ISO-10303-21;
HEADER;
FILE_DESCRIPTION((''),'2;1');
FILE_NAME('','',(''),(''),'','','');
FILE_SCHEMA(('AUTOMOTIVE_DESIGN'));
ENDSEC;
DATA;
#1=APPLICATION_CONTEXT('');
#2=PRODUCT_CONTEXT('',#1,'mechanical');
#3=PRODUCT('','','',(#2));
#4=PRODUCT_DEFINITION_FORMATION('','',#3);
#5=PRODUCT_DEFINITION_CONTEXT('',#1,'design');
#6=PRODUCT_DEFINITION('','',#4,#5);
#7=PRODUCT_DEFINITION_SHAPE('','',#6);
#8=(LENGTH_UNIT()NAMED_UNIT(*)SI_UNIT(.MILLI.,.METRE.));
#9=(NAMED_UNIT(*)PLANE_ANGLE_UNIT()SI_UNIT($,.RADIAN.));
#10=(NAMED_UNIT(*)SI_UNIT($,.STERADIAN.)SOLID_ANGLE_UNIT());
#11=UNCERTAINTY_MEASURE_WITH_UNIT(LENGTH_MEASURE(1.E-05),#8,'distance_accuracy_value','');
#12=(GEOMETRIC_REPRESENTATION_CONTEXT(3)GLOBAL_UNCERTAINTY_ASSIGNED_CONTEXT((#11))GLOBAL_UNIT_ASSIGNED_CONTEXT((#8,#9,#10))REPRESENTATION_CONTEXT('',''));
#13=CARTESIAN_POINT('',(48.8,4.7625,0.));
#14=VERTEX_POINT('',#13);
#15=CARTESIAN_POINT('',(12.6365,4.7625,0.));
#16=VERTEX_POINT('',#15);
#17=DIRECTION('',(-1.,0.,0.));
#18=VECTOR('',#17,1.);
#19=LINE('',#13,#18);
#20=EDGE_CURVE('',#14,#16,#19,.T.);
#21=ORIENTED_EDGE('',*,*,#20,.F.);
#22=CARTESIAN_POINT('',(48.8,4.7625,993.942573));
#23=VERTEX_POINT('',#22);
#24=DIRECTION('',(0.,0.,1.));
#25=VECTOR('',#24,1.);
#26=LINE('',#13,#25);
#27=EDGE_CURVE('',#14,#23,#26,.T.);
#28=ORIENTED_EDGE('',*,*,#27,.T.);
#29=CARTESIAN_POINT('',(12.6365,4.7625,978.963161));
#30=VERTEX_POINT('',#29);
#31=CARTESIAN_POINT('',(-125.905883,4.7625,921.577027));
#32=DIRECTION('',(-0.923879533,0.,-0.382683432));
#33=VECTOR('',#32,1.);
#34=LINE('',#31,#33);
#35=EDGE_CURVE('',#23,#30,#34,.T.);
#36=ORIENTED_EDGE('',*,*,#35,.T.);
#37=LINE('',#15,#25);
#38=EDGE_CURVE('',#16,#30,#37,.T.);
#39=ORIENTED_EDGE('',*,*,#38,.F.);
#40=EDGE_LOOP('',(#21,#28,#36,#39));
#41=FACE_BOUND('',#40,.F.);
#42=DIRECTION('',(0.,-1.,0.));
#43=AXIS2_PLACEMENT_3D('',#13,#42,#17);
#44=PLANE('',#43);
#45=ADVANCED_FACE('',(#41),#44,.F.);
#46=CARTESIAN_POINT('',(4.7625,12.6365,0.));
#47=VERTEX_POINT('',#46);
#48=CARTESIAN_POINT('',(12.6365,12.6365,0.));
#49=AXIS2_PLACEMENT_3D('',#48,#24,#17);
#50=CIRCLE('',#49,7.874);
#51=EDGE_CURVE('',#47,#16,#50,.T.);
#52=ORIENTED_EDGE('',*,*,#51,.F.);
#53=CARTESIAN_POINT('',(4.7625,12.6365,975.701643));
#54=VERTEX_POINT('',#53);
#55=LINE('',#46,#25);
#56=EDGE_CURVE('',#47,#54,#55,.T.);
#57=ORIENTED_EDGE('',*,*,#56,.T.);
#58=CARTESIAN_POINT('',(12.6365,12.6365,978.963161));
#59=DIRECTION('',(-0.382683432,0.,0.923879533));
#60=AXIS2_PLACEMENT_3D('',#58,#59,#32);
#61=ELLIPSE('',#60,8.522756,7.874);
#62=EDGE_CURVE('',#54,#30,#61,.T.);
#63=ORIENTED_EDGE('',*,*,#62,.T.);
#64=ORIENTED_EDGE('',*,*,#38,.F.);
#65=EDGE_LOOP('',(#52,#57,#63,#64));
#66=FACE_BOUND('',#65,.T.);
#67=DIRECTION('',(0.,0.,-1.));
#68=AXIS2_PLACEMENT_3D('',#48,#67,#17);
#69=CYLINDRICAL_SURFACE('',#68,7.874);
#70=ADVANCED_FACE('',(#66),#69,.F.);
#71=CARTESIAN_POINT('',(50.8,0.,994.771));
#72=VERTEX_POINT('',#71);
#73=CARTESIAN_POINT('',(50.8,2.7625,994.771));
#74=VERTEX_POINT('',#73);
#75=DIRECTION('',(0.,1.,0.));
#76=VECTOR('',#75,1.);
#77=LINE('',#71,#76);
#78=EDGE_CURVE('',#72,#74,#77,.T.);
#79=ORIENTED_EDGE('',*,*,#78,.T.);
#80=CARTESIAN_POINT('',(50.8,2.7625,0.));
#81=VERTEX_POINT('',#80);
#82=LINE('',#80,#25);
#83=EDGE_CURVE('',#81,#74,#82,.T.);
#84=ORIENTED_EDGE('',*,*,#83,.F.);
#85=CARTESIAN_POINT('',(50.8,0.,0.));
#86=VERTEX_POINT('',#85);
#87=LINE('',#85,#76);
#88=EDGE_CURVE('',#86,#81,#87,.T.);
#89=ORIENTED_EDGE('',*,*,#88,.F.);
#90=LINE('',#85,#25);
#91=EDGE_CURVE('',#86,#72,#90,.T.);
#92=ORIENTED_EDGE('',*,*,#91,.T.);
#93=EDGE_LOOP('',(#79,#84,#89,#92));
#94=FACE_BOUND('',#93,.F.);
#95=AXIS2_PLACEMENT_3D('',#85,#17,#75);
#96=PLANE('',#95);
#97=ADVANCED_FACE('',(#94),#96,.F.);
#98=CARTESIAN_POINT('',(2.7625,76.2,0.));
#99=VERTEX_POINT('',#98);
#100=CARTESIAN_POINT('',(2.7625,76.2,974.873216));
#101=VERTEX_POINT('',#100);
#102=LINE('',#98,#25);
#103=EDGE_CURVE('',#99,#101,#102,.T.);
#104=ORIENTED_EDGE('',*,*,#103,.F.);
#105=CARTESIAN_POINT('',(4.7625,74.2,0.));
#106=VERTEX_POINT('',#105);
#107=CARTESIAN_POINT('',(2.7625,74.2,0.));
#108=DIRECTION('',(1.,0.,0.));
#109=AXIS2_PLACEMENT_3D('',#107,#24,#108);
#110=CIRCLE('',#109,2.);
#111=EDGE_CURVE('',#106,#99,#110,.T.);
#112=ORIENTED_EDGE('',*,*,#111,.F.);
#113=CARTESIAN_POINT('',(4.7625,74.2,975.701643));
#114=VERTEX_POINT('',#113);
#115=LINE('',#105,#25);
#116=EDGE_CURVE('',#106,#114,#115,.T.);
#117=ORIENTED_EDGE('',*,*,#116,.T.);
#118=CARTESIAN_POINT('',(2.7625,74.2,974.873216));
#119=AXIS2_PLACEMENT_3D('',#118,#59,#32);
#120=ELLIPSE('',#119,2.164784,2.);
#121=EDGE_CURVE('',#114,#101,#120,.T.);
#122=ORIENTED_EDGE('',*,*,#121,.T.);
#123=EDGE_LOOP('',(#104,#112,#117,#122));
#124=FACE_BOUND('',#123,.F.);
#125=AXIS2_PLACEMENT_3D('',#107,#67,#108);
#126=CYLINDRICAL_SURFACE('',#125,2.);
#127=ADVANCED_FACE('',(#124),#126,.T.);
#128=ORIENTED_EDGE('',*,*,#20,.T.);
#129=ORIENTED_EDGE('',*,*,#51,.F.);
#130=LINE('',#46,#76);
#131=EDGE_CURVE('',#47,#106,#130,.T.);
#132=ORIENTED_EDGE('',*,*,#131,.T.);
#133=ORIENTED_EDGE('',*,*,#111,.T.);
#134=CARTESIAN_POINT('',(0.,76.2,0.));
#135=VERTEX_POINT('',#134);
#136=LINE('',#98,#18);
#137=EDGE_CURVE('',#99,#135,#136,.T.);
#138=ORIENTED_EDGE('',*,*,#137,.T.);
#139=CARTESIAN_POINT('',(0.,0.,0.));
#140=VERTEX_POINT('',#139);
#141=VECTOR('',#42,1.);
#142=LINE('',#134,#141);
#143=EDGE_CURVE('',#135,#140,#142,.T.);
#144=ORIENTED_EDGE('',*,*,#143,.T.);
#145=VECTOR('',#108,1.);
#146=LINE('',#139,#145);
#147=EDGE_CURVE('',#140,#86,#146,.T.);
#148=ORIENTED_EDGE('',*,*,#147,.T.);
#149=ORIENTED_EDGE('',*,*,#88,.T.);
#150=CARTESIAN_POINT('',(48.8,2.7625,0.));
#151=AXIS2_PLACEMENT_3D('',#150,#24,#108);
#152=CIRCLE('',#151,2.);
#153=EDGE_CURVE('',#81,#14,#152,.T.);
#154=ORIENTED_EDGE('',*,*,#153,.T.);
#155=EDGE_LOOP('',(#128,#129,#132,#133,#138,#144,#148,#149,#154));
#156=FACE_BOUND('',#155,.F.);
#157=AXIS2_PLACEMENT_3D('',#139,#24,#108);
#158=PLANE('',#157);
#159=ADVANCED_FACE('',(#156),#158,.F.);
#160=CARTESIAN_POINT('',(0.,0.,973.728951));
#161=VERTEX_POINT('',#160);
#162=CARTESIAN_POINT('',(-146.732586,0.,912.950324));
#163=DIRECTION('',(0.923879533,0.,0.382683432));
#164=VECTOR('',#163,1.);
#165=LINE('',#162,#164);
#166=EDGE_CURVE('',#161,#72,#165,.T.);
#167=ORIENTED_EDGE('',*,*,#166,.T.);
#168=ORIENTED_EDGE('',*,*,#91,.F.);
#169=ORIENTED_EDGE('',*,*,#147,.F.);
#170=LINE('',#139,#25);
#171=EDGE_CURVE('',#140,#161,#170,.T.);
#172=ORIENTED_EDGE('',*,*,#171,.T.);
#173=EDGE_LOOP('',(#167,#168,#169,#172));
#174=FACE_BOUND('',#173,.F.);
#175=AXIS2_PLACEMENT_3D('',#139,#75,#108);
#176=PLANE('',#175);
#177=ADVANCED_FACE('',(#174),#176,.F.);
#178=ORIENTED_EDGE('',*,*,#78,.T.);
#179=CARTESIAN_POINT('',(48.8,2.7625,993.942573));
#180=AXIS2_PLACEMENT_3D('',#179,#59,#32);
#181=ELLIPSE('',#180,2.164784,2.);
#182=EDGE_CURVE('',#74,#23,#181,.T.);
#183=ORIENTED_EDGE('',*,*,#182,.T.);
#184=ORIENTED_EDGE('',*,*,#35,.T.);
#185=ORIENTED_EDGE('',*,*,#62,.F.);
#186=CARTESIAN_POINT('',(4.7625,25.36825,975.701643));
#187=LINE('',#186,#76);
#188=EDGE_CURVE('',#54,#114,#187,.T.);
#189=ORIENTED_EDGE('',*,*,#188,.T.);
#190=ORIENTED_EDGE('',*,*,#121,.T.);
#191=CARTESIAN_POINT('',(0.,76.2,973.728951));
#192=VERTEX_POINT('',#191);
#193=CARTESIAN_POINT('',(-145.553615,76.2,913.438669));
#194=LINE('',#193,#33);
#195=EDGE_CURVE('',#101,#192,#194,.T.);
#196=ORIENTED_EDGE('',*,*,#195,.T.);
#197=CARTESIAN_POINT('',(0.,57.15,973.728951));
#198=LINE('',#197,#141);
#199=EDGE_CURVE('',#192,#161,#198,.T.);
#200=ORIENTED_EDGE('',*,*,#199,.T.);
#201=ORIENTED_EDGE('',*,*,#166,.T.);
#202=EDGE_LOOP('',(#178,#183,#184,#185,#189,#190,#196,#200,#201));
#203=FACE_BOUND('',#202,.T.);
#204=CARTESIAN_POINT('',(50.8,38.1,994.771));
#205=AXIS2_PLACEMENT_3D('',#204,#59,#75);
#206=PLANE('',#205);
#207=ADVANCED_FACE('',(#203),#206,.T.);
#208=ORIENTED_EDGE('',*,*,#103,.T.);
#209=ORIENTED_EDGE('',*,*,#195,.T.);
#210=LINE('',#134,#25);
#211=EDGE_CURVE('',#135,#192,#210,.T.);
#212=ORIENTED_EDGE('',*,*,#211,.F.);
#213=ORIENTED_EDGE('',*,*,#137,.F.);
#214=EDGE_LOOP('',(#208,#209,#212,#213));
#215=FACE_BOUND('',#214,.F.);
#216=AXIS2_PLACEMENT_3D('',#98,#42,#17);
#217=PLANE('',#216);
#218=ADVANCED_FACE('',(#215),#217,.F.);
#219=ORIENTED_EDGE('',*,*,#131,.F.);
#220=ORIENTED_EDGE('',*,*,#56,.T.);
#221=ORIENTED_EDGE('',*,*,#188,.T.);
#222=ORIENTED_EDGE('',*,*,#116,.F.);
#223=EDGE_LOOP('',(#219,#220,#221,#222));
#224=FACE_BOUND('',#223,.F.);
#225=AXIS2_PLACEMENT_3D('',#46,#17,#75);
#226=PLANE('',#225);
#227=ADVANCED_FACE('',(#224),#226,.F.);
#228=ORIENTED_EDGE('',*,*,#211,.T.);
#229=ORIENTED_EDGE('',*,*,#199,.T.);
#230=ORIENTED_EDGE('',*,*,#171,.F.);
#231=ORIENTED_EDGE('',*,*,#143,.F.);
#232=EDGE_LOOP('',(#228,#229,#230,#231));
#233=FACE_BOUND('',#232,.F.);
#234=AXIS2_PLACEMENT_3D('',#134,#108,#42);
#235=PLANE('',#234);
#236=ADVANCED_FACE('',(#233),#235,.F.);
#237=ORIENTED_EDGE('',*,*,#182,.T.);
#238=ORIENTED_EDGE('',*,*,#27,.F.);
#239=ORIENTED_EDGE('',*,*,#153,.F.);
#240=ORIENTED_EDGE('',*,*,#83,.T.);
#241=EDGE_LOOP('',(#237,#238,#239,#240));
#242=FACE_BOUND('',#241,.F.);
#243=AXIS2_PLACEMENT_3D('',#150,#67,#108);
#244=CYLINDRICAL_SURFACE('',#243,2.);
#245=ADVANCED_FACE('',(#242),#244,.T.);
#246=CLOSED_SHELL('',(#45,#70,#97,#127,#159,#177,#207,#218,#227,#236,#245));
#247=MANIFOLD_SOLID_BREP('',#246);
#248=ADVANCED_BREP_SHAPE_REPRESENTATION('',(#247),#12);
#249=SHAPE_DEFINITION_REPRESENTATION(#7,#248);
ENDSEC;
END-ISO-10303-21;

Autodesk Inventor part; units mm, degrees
ref_plane "Start plane" through (0, 0, 0) normal (0, 0, 1) x (1, 0, 0)
ref_plane "End plane" through (0, 0, 994.771) normal (0, 0, 1) x (1, 0, 0)
sketch "Sketch" plane through (0, 0, 0) normal (0, 0, 1) x (1, 0, 0)
  line L0 (0, 76.2) -> (0, 0)
  line L1 (0, 0) -> (50.8, 0)
  line L2 (50.8, 0) -> (50.8, 2.7625)
  line L3 (48.8, 4.7625) -> (12.6365, 4.7625)
  line L4 (4.7625, 12.6365) -> (4.7625, 74.2)
  line L5 (2.7625, 76.2) -> (0, 76.2)
  line L6 (-7.0414, 0) -> (21.5385, 0) construction
  line L7 (0, -8.0414) -> (0, 34.5385) construction
  arc A0 (4.7625, 12.6365) -> (12.6365, 4.7625) centre (12.6365, 12.6365) ccw
  arc A1 (50.8, 2.7625) -> (48.8, 4.7625) centre (48.8, 2.7625) ccw
  arc A2 (4.7625, 74.2) -> (2.7625, 76.2) centre (2.7625, 74.2) ccw
  line L8 (0, 93.5453) -> (0, -24.9725) construction
  line L9 (-18.6925, 0) -> (62.8653, 0) construction
  point P0 (50.8, 4.7625)
  point P1 (4.7625, 4.7625)
  point P2 (4.7625, 76.2)
  dimension "d12" = 4.7625
  dimension "d13" = 76.2
  dimension "d14" = 50.8
  dimension "d15" = 0
  dimension "d16" = 4.7625
  dimension "d17" = 0
  dimension "d18" = 7.874
  dimension "d19" = 2
extrude "Body" add sketch "Sketch" along normal up to surface (994.771 mm away) from surface at 0
sketch "Sketch3" plane through (0, 0, 0) normal (0, 0, 1) x (1, 0, 0)
  line L0 (0, 0) -> (10, 0)
ref_plane "Work Plane4" through (0, 0, 0) normal (0, -1, 0) x (1, 0, 0)
sketch "Sketch4" plane through (0, 0, 0) normal (0, -1, 0) x (1, 0, 0)
  line L0 (-2, 0) -> (12, 0)
  line L1 (-2, 994.771) -> (12, 994.771)
  dimension "d23" = 994.771
ref_plane "Work Plane3" through (50.8, 38.1, 994.771) normal (-0.3827, 0, 0.9239) x (0.9239, 0, 0.3827)
split "Split1" plane through (50.8, 38.1, 994.771) removes the side toward (-0.3827, 0, 0.9239)
equation "\"d12\" = G_T"
equation "\"d13\" = G_H"
equation "\"d14\" = G_W"
equation "\"d16\" = G_T"
equation "\"d18\" = G_IR"
equation "\"d4\" = G_L"
equation "\"G_W\" = 50.8"
equation "\"G_H\" = 76.2"
equation "\"G_T\" = 4.7625"
equation "\"G_ER\" = 4.064"
equation "\"G_IR\" = 7.874"
equation "\"G_L\" = d23"
equation "\"ex\" = 0"
equation "\"ey\" = 0"
equation "\"G_OFFSET_START\" = 0"
equation "\"G_OFFSET_END\" = 10.52102"
equation "\"d21\" = G_OFFSET_END + B_L"
equation "\"B_L\" = 984.25"
properties part number "ANSI L 3 x 2 x 3_16 00000001"
